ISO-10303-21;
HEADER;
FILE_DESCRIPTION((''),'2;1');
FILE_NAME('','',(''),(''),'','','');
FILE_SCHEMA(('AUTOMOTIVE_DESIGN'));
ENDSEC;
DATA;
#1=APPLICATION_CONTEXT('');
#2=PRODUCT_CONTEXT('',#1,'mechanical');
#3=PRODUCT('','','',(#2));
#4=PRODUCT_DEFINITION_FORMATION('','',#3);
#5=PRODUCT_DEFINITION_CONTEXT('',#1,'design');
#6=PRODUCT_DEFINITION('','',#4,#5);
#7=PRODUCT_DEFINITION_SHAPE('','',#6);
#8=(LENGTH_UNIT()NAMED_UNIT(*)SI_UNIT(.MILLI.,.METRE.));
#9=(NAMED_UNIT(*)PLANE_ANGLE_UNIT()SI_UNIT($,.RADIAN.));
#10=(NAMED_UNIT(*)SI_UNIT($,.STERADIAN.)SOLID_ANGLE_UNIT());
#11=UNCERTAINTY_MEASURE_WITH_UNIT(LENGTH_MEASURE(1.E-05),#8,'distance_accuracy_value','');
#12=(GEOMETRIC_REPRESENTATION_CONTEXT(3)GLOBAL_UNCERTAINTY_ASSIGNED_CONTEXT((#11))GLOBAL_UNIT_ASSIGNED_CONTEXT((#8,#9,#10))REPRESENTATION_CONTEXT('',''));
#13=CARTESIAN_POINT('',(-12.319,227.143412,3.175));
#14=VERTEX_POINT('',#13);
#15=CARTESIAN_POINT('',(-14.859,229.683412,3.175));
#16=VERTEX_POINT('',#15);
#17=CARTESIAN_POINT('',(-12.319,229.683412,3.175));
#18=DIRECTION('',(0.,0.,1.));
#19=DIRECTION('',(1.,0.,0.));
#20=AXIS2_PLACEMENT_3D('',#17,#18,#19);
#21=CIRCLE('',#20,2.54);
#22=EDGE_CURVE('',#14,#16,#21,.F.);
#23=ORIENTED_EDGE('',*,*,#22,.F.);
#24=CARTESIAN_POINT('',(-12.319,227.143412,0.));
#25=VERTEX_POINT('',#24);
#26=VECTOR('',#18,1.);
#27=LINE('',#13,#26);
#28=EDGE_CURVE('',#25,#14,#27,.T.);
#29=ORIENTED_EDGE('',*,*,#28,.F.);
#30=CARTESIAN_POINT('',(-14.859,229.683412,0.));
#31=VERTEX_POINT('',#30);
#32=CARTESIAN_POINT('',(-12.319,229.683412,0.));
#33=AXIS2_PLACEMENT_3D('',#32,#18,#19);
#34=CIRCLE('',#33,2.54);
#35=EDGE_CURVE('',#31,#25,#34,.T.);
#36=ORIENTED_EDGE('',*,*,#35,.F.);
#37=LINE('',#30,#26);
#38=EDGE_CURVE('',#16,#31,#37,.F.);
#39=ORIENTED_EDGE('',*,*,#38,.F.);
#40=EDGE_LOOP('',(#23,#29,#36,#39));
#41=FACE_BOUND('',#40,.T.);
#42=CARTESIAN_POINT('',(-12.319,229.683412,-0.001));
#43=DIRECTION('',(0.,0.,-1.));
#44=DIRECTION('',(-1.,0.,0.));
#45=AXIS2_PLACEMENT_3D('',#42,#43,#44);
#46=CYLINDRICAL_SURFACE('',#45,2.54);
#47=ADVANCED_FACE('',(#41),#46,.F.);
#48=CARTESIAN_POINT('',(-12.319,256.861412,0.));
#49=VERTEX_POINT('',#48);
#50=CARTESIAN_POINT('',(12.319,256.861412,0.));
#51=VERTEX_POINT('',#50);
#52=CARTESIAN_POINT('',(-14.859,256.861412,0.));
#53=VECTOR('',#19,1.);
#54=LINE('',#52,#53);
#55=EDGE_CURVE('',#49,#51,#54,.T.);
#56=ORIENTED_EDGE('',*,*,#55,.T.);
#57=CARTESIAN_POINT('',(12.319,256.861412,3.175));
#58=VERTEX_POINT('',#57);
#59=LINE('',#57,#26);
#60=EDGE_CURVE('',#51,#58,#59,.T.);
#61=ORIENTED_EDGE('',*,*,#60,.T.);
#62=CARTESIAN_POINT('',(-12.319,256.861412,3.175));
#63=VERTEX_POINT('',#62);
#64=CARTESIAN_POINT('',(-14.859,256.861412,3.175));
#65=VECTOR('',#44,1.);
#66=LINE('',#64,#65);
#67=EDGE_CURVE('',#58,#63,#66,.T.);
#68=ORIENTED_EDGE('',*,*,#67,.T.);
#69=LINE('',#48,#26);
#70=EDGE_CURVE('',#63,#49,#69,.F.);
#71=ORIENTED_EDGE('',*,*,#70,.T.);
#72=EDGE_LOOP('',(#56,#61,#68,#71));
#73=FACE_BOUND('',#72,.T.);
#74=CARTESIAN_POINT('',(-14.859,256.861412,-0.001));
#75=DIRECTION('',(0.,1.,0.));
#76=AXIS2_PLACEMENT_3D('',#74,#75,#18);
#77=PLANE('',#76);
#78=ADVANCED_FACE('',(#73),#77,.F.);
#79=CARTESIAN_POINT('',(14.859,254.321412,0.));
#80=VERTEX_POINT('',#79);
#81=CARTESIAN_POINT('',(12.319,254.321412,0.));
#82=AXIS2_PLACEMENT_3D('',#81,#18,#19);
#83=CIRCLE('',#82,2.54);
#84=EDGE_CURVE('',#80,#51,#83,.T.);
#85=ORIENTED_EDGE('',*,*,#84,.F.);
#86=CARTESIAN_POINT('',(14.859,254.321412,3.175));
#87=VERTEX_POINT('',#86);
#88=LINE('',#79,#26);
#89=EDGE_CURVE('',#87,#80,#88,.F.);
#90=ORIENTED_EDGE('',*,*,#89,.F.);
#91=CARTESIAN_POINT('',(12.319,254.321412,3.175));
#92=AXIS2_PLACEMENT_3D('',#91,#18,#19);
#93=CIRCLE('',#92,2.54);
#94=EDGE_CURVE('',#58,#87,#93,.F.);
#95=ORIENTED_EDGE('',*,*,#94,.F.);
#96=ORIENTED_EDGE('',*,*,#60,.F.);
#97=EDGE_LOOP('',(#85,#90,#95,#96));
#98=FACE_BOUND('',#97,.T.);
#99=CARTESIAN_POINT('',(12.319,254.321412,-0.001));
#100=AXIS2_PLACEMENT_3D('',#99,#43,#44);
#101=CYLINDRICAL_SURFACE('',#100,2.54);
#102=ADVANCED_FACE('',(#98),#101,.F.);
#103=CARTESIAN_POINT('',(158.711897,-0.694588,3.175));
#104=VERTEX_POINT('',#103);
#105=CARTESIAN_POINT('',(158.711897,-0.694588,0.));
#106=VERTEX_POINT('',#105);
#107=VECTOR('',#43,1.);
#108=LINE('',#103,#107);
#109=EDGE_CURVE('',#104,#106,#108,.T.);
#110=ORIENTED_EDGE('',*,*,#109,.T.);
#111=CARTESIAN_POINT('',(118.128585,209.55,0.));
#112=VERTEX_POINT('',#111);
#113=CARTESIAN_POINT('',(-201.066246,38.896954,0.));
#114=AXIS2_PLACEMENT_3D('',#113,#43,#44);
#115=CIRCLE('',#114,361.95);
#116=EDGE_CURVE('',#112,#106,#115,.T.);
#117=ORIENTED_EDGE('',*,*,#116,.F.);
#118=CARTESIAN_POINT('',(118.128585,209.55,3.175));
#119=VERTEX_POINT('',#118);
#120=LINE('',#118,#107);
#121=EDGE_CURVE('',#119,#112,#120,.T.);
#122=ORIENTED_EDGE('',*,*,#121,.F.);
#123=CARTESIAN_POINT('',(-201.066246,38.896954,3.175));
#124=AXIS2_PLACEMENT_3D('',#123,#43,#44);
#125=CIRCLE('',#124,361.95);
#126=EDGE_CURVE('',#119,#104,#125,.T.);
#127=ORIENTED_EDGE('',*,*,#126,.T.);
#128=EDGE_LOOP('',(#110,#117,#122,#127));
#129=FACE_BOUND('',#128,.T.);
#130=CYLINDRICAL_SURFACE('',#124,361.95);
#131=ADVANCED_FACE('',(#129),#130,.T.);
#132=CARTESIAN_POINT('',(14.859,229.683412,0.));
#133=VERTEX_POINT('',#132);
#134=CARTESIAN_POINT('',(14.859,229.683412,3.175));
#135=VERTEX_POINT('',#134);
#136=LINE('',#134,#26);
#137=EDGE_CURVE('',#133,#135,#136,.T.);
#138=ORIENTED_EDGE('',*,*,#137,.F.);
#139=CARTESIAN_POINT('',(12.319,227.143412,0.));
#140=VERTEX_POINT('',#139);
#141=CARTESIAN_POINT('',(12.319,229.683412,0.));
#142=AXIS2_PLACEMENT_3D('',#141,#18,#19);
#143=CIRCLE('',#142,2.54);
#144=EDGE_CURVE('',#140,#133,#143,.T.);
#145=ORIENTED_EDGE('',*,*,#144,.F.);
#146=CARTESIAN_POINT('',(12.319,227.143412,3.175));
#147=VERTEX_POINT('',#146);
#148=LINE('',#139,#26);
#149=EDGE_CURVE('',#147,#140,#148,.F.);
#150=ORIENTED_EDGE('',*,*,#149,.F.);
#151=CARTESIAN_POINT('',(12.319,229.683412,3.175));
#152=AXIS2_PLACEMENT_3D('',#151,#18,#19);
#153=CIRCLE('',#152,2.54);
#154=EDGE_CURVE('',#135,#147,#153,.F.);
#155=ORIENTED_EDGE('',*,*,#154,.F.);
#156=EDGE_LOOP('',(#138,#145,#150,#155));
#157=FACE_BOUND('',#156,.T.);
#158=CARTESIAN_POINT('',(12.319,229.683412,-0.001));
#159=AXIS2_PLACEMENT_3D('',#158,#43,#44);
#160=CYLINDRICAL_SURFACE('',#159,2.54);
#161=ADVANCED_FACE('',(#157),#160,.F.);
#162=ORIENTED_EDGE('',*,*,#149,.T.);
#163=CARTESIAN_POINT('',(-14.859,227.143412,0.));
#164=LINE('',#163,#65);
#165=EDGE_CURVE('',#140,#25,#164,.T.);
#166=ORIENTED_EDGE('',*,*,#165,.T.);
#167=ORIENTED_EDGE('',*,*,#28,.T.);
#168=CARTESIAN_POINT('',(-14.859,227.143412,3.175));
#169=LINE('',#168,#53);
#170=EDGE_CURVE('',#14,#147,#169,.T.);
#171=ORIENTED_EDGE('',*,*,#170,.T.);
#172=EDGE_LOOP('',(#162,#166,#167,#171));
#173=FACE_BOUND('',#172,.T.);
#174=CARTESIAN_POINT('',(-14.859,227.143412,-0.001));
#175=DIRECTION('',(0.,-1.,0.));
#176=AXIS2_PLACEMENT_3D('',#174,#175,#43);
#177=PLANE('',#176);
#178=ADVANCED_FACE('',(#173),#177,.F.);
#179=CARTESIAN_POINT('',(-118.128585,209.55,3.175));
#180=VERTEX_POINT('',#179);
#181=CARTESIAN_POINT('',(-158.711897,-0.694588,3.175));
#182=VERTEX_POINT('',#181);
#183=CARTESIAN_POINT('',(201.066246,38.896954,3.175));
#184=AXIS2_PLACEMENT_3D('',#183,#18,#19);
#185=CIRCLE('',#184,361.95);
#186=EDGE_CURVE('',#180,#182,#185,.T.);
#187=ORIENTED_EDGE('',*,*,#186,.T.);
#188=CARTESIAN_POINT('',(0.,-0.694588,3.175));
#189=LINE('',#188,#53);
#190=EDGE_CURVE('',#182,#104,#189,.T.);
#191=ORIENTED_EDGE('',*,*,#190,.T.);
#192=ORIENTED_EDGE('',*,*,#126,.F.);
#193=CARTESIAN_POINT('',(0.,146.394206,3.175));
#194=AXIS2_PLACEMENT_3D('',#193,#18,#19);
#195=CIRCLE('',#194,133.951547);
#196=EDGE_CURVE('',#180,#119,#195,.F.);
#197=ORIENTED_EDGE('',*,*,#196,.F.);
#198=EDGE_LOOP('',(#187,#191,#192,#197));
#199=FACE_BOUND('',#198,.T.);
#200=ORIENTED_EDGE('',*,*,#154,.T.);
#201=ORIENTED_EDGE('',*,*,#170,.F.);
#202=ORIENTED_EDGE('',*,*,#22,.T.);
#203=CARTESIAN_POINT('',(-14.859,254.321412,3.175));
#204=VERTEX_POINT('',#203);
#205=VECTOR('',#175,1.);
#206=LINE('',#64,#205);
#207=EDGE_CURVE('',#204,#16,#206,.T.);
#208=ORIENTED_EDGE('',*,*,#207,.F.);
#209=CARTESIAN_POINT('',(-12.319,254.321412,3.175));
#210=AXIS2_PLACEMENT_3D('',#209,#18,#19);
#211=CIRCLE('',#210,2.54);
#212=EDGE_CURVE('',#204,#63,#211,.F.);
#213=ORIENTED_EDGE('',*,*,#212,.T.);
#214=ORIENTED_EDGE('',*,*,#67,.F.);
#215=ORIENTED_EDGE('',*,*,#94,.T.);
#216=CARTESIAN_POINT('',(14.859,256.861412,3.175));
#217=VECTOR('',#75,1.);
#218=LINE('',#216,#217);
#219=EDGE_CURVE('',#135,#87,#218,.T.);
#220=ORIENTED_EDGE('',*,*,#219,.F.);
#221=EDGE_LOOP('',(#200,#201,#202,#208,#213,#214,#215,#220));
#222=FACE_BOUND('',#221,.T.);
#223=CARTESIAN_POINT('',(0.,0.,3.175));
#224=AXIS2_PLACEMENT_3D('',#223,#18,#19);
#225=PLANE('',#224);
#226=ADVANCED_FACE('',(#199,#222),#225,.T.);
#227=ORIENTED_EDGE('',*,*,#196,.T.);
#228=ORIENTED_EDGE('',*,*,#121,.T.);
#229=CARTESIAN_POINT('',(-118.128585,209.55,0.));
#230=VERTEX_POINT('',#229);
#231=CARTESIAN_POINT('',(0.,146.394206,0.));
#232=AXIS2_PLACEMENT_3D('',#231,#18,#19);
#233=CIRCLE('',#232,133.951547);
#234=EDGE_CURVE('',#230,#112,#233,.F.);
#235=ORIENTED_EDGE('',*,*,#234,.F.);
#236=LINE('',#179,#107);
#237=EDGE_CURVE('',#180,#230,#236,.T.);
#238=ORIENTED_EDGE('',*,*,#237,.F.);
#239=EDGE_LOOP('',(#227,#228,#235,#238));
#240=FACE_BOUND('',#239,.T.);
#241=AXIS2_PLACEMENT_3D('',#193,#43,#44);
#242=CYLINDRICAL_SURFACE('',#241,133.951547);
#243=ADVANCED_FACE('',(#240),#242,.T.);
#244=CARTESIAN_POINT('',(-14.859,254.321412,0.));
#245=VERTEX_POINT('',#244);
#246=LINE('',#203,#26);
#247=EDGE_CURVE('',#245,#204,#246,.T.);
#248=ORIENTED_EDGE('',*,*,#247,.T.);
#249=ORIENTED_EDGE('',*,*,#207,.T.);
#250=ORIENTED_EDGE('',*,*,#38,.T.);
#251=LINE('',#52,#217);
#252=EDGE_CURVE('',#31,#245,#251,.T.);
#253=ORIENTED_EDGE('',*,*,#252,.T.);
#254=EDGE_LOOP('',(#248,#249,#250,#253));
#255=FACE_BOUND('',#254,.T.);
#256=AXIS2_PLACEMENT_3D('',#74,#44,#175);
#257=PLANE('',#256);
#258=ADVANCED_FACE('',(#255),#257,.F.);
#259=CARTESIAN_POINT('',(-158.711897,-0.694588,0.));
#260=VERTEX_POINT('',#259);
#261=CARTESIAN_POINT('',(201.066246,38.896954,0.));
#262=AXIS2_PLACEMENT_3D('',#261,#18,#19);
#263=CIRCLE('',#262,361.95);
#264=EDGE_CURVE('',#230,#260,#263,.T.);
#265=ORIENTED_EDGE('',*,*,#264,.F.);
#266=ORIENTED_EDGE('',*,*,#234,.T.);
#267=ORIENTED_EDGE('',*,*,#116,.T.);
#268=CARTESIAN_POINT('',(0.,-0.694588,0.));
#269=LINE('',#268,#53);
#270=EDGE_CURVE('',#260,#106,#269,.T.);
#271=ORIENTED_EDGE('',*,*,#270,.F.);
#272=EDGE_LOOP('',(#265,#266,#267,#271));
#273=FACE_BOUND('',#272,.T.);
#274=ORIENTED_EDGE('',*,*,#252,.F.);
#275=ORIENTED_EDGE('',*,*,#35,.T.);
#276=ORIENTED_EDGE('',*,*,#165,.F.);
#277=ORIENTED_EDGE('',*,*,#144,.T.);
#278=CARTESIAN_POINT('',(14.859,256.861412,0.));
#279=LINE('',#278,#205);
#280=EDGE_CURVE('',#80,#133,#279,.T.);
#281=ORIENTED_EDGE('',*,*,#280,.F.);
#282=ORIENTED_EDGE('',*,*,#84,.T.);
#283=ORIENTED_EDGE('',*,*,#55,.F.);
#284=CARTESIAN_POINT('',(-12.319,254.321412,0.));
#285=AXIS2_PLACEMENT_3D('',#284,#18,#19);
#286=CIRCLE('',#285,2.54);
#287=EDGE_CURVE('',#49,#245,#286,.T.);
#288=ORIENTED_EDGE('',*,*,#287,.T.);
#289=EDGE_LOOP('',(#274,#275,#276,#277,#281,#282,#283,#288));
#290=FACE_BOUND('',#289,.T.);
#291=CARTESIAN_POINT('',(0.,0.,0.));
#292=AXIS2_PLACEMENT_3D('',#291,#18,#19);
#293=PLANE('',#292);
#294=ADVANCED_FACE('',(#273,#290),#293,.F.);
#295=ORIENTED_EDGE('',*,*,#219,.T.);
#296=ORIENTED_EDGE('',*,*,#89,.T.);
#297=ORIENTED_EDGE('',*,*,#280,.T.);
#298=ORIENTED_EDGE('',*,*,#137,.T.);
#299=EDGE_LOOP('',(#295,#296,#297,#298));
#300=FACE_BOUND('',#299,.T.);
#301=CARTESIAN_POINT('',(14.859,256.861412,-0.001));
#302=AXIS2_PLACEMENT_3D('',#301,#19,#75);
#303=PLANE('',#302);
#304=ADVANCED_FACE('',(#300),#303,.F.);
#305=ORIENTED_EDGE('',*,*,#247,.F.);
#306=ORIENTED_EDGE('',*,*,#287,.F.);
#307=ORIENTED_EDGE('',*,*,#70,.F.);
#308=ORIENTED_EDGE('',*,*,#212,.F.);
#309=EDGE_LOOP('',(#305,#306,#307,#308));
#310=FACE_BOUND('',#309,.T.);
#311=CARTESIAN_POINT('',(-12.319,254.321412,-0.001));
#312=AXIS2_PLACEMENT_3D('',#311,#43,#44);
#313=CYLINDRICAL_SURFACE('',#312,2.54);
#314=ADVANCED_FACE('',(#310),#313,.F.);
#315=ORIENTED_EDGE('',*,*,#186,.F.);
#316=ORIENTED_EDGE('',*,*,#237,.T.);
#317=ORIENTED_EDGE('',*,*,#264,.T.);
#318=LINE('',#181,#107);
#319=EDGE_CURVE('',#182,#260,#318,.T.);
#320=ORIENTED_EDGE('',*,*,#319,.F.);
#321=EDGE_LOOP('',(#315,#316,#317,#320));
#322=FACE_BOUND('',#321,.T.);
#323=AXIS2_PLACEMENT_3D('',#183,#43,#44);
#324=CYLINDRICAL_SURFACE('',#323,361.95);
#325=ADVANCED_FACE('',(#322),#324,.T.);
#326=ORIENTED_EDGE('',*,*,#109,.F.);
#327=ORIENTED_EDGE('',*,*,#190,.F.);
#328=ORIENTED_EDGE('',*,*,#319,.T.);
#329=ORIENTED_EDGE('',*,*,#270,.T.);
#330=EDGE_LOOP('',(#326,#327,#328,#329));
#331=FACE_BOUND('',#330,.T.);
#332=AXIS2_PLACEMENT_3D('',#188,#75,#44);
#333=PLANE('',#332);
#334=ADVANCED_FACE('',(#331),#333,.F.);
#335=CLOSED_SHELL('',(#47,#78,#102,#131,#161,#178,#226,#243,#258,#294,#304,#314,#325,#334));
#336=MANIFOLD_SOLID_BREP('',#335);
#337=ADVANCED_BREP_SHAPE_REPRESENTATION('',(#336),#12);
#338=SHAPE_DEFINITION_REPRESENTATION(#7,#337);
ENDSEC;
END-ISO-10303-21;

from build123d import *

# Parameters (mm, degrees)
BOSS_EXTRUDE1_DEPTH = 3.175
CUT_EXTRUDE1_REACH  = 325.245
SKETCH2_W           = 29.718
SKETCH2_H           = 29.718
FILLET1_R           = 2.54


with BuildPart() as part:
    # Sketch1 → Boss-Extrude1 (new body)
    with BuildSketch(Plane.XY):
        with BuildLine():
            ThreePointArc((118.128585461, 209.55), (0, 280.345753402), (-118.128585461, 209.55))
            ThreePointArc((-118.128585461, 209.55), (-154.323359707, 107.497469491), (-158.711897248, -0.694588462))
            Line((-158.711897248, -0.694588462), (158.711897248, -0.694588462))
            ThreePointArc((158.711897248, -0.694588462), (154.323359707, 107.497469491), (118.128585461, 209.55))
        make_face()
    extrude(amount=BOSS_EXTRUDE1_DEPTH)

    # Sketch2 → Cut-Extrude1 (cut, up to next)
    with BuildSketch(Plane.XY.offset(3.175), mode=Mode.PRIVATE) as cut_extrude1_sk1:
        with Locations((0, 242.002411538)):
            Rectangle(SKETCH2_W, SKETCH2_H)
    cut_extrude1_tool1 = extrude(cut_extrude1_sk1.sketch, amount=-CUT_EXTRUDE1_REACH, mode=Mode.PRIVATE) & part.part
    add(cut_extrude1_tool1.solids().sort_by_distance((0, 242.002412, 3.175))[0], mode=Mode.SUBTRACT)

    # Fillet1
    fillet1_edges = [part.edges().sort_by_distance(p)[0] for p in [
        (14.859, 227.143411538, 1.5875),
        (14.859, 256.861411538, 1.5875),
        (-14.859, 256.861411538, 1.5875),
        (-14.859, 227.143411538, 1.5875),
    ]]
    fillet(fillet1_edges, radius=FILLET1_R)


solid = part.part
